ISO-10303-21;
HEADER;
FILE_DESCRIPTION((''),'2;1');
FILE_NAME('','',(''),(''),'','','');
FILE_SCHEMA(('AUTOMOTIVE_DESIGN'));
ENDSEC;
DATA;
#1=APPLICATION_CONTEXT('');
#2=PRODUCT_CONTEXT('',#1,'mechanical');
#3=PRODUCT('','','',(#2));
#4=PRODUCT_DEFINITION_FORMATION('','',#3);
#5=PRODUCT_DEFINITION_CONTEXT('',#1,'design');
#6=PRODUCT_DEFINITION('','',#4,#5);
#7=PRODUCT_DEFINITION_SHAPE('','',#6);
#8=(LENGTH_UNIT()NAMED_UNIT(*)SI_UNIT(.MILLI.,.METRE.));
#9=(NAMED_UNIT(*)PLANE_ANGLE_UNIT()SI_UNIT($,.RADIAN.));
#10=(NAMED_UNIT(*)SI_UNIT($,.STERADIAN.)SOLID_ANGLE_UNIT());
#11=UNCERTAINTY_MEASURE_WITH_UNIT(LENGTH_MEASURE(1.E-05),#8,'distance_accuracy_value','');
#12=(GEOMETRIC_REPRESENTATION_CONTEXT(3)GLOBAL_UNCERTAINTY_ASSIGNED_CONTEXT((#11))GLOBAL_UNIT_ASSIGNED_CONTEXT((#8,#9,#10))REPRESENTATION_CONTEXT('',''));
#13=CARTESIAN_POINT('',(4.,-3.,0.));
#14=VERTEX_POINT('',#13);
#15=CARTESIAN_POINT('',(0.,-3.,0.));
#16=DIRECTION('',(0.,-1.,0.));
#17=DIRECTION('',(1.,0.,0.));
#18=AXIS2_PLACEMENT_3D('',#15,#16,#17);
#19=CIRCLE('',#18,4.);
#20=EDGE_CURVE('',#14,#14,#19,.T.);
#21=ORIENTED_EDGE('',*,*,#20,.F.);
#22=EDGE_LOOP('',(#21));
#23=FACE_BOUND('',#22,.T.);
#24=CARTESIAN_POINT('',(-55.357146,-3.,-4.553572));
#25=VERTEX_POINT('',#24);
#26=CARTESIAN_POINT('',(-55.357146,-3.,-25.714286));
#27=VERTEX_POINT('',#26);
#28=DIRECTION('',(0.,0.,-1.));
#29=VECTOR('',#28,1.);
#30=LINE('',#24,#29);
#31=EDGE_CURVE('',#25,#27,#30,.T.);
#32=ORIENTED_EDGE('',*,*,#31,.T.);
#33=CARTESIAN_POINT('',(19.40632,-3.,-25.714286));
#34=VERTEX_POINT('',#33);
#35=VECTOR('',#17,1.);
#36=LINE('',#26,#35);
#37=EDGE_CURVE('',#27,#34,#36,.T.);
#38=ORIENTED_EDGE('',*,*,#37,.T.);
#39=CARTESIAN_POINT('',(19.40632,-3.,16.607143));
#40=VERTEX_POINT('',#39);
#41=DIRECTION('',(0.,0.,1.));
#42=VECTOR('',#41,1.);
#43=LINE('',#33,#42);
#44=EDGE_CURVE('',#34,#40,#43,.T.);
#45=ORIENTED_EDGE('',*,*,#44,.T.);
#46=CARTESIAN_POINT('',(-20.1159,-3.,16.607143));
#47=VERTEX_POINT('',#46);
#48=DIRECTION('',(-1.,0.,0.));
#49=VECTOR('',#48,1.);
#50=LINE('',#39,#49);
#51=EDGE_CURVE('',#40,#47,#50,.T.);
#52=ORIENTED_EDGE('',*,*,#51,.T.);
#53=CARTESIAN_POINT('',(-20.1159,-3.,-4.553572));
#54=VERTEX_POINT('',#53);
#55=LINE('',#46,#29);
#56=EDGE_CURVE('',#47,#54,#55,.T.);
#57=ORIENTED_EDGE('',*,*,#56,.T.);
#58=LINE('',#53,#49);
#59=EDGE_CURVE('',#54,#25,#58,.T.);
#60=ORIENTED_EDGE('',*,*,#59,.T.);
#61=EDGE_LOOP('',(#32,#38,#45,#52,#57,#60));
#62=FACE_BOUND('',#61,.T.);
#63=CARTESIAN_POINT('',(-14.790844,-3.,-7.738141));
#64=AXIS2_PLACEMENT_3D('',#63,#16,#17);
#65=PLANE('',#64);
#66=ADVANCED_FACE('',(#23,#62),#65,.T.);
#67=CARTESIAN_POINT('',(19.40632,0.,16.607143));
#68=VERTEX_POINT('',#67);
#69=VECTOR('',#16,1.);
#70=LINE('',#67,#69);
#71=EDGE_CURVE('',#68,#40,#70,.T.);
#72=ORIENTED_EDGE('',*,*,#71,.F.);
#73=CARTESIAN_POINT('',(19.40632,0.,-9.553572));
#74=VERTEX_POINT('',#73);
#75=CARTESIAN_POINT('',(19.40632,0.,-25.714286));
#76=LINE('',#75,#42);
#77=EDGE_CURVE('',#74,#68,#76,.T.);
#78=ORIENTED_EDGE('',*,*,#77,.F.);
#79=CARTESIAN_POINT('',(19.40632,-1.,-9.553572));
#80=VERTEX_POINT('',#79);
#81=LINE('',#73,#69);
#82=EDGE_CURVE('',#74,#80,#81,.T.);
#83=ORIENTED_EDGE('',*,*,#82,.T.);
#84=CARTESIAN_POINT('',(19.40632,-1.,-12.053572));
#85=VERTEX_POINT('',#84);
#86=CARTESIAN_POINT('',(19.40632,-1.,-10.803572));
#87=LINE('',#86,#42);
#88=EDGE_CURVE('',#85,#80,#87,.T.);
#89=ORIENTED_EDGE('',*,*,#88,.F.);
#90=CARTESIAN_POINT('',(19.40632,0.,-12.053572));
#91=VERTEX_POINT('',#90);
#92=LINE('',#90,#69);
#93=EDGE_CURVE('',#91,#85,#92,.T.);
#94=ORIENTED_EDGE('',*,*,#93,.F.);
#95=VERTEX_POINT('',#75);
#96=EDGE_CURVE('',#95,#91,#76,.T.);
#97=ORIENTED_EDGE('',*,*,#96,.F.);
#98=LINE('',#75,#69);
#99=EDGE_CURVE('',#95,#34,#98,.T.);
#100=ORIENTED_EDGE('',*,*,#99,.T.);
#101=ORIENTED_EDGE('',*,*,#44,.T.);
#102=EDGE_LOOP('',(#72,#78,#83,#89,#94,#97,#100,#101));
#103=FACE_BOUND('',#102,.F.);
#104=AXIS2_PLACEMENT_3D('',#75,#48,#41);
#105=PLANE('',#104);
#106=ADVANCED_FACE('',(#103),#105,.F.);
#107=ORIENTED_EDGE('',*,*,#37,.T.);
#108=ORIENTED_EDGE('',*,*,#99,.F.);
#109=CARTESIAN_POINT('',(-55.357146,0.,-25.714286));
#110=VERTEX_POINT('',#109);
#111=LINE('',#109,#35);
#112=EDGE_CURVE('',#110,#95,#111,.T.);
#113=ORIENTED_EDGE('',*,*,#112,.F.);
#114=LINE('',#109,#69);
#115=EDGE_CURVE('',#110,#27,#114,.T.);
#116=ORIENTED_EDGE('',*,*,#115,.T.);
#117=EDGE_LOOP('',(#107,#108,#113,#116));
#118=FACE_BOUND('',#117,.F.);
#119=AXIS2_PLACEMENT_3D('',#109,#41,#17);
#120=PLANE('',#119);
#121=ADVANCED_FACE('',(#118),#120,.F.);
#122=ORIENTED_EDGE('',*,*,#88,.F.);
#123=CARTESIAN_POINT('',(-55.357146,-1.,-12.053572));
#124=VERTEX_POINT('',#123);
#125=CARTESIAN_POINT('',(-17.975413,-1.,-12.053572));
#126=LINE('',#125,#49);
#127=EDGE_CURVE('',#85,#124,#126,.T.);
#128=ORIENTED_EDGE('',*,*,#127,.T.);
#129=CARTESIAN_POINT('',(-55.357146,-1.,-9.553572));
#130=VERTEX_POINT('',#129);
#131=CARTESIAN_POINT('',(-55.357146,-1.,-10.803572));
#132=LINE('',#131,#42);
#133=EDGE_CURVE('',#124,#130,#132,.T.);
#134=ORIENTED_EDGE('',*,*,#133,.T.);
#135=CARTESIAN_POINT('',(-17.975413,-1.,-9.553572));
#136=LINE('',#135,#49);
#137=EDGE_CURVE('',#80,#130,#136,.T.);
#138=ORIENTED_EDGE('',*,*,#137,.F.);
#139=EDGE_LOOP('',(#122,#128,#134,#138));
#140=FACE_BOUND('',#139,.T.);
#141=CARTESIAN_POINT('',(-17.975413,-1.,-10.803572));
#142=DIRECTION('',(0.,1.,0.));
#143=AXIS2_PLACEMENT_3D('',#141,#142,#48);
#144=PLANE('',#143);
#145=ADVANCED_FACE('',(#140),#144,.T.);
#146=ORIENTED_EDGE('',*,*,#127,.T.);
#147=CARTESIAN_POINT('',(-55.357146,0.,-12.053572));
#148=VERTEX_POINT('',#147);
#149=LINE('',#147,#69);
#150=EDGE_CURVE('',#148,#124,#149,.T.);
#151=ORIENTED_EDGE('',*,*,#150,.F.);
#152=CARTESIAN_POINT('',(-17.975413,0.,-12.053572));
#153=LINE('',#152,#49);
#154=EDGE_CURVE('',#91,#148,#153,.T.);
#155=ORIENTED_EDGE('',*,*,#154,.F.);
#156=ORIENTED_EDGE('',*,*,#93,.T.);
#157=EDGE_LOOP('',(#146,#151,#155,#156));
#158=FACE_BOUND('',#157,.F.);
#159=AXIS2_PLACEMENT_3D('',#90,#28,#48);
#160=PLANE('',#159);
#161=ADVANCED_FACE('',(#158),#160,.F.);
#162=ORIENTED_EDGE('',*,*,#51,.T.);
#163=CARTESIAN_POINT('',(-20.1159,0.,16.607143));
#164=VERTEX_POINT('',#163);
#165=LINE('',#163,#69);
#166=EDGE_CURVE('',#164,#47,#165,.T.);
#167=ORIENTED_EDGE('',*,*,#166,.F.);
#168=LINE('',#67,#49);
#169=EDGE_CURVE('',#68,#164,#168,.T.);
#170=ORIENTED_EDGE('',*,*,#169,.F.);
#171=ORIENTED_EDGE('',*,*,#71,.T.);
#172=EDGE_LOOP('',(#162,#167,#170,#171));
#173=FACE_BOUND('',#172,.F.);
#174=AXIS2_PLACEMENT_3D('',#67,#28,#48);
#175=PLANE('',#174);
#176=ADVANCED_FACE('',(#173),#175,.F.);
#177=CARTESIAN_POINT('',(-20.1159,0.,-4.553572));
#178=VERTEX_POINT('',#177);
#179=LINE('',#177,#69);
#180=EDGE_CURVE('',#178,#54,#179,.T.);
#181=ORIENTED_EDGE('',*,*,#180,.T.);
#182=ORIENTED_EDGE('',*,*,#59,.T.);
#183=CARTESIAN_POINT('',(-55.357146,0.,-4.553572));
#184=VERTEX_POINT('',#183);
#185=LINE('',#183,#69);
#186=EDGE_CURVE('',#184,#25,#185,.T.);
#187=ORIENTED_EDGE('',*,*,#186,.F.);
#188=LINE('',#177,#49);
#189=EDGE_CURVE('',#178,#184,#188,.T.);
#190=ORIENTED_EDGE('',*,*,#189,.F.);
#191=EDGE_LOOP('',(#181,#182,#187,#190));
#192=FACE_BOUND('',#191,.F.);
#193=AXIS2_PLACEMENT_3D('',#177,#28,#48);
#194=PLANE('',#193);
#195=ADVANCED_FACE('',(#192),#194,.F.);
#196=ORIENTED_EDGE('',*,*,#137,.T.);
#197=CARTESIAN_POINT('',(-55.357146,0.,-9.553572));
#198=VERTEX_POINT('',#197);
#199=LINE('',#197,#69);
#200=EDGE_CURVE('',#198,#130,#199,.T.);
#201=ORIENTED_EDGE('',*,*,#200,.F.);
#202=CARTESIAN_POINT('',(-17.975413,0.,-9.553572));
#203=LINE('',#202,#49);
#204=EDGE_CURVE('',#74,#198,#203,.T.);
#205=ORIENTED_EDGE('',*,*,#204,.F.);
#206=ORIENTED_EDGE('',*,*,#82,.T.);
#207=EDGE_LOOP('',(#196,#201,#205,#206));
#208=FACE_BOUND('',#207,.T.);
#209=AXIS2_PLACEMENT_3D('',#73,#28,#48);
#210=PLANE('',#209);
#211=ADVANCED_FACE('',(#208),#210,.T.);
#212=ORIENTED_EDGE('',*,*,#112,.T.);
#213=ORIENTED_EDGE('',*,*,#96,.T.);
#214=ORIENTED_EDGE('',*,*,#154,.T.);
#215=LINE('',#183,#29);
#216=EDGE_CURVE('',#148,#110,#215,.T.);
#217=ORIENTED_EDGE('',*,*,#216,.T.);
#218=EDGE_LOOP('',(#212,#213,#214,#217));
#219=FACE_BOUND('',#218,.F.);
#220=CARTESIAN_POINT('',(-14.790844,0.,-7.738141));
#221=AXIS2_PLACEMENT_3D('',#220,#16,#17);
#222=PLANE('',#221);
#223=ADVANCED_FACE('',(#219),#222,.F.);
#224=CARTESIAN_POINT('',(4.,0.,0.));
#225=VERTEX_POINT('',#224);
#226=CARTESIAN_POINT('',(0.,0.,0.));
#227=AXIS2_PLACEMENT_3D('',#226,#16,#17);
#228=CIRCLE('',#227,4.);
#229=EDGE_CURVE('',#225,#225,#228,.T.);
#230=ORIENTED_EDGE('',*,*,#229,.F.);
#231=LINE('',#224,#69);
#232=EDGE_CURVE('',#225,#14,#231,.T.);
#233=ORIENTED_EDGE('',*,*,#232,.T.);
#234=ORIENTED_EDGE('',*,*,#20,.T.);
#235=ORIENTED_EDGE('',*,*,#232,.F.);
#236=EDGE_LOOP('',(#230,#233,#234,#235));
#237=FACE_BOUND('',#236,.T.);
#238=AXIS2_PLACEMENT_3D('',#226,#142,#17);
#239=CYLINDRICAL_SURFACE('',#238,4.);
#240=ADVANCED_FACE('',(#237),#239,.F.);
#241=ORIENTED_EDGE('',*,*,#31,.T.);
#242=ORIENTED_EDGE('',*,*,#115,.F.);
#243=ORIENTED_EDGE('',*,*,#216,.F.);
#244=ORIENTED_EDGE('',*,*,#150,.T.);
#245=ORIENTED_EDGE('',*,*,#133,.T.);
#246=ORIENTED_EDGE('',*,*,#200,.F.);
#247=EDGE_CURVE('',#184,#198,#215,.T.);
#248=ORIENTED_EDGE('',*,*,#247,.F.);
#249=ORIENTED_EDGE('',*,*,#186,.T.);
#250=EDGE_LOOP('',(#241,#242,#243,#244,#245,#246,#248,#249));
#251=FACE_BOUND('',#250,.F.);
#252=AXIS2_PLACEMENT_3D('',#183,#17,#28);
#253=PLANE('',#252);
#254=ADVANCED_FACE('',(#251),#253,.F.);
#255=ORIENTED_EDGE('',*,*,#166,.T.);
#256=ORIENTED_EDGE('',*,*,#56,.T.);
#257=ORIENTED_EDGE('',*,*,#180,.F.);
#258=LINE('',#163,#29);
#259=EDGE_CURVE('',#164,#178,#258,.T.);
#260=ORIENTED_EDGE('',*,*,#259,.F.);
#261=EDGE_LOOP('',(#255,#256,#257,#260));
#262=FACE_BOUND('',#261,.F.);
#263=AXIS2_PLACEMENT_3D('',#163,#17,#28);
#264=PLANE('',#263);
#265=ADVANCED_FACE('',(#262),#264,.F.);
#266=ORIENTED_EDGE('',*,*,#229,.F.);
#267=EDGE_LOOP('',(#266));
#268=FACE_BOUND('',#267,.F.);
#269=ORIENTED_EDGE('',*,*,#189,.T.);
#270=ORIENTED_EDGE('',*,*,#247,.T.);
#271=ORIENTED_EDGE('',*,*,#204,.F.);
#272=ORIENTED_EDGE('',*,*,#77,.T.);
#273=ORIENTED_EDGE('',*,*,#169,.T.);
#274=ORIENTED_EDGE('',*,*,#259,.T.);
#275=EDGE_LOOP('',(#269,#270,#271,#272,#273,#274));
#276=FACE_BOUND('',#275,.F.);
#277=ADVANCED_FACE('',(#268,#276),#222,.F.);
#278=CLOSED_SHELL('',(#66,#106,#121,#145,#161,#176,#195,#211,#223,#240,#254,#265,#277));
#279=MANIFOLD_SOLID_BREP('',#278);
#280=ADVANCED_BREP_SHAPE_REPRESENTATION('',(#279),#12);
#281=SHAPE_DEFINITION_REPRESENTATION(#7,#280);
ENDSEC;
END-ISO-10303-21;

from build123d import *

# Parameters (mm, degrees)
F0_R     = 4
F1_DEPTH = 3
F2_W     = 74.763466
F2_H     = 2.5
F3_DEPTH = 1


with BuildPart() as f1:
    # F0 (on Front) → F1 (new body)
    with BuildSketch(Plane.XZ):
        Polygon((19.40632, 16.607143), (17.133475, 16.607143), (-14.732144, 16.607143), (-20.1159, 16.607143), (-20.1159, -4.553572), (-55.357146, -4.553572), (-55.357146, -25.714286), (17.133475, -25.714286), (19.40632, -25.714286), align=None)
        Circle(F0_R, mode=Mode.SUBTRACT)
    extrude(amount=F1_DEPTH)

    # F2 (on face) → F3 (cut)
    with BuildSketch(Plane(origin=(0, 0, 0), x_dir=(-1, 0, 0), z_dir=(0, 1, 0))):
        with Locations((17.975413, -10.803572)):
            Rectangle(F2_W, F2_H)
    extrude(amount=-F3_DEPTH, mode=Mode.SUBTRACT)


solid = f1.part
